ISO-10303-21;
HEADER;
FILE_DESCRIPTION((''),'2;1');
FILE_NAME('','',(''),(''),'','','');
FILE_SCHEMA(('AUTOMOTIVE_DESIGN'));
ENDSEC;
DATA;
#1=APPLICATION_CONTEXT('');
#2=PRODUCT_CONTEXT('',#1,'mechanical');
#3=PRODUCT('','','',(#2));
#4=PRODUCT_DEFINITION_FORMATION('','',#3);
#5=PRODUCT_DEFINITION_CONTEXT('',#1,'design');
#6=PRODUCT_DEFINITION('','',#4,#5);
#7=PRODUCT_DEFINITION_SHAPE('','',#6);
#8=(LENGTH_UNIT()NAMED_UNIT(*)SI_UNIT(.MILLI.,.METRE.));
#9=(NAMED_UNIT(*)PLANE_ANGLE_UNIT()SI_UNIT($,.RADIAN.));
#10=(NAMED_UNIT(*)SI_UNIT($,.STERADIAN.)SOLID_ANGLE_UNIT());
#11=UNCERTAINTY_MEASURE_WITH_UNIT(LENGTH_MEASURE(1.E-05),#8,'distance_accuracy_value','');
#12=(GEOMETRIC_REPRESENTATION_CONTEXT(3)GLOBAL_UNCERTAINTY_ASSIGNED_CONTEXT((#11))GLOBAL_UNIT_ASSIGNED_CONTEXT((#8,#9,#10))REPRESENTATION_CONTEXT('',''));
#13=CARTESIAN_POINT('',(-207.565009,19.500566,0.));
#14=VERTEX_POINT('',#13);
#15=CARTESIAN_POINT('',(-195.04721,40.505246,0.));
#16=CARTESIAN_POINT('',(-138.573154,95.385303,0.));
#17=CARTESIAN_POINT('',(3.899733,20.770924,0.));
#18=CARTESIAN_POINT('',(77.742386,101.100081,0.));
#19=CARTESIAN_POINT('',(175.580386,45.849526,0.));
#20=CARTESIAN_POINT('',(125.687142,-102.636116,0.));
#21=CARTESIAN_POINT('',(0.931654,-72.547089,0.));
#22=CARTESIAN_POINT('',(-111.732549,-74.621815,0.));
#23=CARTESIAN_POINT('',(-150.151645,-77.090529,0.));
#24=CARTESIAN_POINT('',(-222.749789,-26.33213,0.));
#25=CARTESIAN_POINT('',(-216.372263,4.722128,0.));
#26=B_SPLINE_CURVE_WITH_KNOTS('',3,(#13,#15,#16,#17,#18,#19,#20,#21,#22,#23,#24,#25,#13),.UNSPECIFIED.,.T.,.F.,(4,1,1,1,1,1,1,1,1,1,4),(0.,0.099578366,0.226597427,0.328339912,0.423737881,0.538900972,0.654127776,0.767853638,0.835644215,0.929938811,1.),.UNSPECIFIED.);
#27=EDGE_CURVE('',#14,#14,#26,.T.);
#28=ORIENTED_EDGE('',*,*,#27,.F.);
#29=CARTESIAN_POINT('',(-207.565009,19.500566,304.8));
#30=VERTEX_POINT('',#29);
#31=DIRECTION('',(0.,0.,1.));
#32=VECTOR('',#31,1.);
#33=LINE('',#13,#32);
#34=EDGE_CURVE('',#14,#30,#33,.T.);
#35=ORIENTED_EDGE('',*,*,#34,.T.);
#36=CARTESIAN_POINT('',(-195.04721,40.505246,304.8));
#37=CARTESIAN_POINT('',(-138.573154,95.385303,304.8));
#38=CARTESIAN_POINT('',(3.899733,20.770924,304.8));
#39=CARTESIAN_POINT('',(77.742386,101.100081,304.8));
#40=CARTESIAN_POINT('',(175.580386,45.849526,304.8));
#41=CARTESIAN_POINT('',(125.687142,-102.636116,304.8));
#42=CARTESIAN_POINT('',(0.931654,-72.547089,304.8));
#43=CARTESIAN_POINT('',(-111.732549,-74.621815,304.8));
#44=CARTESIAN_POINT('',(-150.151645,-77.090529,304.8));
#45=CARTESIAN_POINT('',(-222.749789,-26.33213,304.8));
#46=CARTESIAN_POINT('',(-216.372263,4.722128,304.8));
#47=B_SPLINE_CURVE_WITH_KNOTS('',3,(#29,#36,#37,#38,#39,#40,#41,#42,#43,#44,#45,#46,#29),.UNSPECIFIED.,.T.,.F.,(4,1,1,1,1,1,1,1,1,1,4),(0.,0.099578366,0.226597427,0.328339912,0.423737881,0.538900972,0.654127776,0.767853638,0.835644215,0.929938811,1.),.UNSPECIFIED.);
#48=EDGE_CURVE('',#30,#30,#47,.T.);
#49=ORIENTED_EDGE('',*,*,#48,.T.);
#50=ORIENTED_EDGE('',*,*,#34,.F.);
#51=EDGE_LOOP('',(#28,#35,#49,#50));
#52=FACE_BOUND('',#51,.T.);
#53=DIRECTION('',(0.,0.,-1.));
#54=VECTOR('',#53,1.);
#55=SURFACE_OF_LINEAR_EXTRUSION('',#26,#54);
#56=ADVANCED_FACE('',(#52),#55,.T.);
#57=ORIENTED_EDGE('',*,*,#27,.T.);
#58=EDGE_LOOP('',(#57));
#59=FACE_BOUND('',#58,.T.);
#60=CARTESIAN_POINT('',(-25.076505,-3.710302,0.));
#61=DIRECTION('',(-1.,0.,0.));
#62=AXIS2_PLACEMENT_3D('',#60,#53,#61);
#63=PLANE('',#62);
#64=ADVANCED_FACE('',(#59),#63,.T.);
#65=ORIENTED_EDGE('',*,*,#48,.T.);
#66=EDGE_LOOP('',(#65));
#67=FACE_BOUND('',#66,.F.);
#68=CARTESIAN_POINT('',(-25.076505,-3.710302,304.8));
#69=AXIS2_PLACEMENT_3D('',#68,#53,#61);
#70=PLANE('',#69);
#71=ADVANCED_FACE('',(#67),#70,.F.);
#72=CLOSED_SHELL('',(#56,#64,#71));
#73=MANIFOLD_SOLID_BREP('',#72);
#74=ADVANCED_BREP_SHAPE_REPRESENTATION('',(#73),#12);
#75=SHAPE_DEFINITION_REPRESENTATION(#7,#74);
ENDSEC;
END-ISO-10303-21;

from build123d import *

# Parameters (mm, degrees)
F1_DEPTH = 304.8


with BuildPart() as f1:
    # F0 (on Top) → F1 (new body)
    with BuildSketch(Plane.XY):
        with BuildLine():
            add(Edge.make_bspline(
                [(-207.5650092044, 19.5005663884), (-195.0472097353, 40.5052457178), (-138.5731542839, 95.3853032149), (3.8997330005, 20.7709243337), (77.7423859228, 101.100081322), (175.5803862958, 45.8495263321), (125.6871415657, -102.6361163622), (0.9316540705, -72.5470893526), (-111.7325491809, -74.6218153927), (-150.1516447417, -77.0905286123), (-222.7497889328, -26.3321300443), (-216.3722626417, 4.7221275199), (-207.5650092044, 19.5005663884)],
                knots=[0, 0, 0, 0, 0.0995783663, 0.2265974265, 0.3283399121, 0.4237378811, 0.5389009724, 0.6541277762, 0.7678536379, 0.8356442149, 0.9299388114, 1, 1, 1, 1], degree=3))
        make_face()
    extrude(amount=F1_DEPTH)


solid = f1.part
